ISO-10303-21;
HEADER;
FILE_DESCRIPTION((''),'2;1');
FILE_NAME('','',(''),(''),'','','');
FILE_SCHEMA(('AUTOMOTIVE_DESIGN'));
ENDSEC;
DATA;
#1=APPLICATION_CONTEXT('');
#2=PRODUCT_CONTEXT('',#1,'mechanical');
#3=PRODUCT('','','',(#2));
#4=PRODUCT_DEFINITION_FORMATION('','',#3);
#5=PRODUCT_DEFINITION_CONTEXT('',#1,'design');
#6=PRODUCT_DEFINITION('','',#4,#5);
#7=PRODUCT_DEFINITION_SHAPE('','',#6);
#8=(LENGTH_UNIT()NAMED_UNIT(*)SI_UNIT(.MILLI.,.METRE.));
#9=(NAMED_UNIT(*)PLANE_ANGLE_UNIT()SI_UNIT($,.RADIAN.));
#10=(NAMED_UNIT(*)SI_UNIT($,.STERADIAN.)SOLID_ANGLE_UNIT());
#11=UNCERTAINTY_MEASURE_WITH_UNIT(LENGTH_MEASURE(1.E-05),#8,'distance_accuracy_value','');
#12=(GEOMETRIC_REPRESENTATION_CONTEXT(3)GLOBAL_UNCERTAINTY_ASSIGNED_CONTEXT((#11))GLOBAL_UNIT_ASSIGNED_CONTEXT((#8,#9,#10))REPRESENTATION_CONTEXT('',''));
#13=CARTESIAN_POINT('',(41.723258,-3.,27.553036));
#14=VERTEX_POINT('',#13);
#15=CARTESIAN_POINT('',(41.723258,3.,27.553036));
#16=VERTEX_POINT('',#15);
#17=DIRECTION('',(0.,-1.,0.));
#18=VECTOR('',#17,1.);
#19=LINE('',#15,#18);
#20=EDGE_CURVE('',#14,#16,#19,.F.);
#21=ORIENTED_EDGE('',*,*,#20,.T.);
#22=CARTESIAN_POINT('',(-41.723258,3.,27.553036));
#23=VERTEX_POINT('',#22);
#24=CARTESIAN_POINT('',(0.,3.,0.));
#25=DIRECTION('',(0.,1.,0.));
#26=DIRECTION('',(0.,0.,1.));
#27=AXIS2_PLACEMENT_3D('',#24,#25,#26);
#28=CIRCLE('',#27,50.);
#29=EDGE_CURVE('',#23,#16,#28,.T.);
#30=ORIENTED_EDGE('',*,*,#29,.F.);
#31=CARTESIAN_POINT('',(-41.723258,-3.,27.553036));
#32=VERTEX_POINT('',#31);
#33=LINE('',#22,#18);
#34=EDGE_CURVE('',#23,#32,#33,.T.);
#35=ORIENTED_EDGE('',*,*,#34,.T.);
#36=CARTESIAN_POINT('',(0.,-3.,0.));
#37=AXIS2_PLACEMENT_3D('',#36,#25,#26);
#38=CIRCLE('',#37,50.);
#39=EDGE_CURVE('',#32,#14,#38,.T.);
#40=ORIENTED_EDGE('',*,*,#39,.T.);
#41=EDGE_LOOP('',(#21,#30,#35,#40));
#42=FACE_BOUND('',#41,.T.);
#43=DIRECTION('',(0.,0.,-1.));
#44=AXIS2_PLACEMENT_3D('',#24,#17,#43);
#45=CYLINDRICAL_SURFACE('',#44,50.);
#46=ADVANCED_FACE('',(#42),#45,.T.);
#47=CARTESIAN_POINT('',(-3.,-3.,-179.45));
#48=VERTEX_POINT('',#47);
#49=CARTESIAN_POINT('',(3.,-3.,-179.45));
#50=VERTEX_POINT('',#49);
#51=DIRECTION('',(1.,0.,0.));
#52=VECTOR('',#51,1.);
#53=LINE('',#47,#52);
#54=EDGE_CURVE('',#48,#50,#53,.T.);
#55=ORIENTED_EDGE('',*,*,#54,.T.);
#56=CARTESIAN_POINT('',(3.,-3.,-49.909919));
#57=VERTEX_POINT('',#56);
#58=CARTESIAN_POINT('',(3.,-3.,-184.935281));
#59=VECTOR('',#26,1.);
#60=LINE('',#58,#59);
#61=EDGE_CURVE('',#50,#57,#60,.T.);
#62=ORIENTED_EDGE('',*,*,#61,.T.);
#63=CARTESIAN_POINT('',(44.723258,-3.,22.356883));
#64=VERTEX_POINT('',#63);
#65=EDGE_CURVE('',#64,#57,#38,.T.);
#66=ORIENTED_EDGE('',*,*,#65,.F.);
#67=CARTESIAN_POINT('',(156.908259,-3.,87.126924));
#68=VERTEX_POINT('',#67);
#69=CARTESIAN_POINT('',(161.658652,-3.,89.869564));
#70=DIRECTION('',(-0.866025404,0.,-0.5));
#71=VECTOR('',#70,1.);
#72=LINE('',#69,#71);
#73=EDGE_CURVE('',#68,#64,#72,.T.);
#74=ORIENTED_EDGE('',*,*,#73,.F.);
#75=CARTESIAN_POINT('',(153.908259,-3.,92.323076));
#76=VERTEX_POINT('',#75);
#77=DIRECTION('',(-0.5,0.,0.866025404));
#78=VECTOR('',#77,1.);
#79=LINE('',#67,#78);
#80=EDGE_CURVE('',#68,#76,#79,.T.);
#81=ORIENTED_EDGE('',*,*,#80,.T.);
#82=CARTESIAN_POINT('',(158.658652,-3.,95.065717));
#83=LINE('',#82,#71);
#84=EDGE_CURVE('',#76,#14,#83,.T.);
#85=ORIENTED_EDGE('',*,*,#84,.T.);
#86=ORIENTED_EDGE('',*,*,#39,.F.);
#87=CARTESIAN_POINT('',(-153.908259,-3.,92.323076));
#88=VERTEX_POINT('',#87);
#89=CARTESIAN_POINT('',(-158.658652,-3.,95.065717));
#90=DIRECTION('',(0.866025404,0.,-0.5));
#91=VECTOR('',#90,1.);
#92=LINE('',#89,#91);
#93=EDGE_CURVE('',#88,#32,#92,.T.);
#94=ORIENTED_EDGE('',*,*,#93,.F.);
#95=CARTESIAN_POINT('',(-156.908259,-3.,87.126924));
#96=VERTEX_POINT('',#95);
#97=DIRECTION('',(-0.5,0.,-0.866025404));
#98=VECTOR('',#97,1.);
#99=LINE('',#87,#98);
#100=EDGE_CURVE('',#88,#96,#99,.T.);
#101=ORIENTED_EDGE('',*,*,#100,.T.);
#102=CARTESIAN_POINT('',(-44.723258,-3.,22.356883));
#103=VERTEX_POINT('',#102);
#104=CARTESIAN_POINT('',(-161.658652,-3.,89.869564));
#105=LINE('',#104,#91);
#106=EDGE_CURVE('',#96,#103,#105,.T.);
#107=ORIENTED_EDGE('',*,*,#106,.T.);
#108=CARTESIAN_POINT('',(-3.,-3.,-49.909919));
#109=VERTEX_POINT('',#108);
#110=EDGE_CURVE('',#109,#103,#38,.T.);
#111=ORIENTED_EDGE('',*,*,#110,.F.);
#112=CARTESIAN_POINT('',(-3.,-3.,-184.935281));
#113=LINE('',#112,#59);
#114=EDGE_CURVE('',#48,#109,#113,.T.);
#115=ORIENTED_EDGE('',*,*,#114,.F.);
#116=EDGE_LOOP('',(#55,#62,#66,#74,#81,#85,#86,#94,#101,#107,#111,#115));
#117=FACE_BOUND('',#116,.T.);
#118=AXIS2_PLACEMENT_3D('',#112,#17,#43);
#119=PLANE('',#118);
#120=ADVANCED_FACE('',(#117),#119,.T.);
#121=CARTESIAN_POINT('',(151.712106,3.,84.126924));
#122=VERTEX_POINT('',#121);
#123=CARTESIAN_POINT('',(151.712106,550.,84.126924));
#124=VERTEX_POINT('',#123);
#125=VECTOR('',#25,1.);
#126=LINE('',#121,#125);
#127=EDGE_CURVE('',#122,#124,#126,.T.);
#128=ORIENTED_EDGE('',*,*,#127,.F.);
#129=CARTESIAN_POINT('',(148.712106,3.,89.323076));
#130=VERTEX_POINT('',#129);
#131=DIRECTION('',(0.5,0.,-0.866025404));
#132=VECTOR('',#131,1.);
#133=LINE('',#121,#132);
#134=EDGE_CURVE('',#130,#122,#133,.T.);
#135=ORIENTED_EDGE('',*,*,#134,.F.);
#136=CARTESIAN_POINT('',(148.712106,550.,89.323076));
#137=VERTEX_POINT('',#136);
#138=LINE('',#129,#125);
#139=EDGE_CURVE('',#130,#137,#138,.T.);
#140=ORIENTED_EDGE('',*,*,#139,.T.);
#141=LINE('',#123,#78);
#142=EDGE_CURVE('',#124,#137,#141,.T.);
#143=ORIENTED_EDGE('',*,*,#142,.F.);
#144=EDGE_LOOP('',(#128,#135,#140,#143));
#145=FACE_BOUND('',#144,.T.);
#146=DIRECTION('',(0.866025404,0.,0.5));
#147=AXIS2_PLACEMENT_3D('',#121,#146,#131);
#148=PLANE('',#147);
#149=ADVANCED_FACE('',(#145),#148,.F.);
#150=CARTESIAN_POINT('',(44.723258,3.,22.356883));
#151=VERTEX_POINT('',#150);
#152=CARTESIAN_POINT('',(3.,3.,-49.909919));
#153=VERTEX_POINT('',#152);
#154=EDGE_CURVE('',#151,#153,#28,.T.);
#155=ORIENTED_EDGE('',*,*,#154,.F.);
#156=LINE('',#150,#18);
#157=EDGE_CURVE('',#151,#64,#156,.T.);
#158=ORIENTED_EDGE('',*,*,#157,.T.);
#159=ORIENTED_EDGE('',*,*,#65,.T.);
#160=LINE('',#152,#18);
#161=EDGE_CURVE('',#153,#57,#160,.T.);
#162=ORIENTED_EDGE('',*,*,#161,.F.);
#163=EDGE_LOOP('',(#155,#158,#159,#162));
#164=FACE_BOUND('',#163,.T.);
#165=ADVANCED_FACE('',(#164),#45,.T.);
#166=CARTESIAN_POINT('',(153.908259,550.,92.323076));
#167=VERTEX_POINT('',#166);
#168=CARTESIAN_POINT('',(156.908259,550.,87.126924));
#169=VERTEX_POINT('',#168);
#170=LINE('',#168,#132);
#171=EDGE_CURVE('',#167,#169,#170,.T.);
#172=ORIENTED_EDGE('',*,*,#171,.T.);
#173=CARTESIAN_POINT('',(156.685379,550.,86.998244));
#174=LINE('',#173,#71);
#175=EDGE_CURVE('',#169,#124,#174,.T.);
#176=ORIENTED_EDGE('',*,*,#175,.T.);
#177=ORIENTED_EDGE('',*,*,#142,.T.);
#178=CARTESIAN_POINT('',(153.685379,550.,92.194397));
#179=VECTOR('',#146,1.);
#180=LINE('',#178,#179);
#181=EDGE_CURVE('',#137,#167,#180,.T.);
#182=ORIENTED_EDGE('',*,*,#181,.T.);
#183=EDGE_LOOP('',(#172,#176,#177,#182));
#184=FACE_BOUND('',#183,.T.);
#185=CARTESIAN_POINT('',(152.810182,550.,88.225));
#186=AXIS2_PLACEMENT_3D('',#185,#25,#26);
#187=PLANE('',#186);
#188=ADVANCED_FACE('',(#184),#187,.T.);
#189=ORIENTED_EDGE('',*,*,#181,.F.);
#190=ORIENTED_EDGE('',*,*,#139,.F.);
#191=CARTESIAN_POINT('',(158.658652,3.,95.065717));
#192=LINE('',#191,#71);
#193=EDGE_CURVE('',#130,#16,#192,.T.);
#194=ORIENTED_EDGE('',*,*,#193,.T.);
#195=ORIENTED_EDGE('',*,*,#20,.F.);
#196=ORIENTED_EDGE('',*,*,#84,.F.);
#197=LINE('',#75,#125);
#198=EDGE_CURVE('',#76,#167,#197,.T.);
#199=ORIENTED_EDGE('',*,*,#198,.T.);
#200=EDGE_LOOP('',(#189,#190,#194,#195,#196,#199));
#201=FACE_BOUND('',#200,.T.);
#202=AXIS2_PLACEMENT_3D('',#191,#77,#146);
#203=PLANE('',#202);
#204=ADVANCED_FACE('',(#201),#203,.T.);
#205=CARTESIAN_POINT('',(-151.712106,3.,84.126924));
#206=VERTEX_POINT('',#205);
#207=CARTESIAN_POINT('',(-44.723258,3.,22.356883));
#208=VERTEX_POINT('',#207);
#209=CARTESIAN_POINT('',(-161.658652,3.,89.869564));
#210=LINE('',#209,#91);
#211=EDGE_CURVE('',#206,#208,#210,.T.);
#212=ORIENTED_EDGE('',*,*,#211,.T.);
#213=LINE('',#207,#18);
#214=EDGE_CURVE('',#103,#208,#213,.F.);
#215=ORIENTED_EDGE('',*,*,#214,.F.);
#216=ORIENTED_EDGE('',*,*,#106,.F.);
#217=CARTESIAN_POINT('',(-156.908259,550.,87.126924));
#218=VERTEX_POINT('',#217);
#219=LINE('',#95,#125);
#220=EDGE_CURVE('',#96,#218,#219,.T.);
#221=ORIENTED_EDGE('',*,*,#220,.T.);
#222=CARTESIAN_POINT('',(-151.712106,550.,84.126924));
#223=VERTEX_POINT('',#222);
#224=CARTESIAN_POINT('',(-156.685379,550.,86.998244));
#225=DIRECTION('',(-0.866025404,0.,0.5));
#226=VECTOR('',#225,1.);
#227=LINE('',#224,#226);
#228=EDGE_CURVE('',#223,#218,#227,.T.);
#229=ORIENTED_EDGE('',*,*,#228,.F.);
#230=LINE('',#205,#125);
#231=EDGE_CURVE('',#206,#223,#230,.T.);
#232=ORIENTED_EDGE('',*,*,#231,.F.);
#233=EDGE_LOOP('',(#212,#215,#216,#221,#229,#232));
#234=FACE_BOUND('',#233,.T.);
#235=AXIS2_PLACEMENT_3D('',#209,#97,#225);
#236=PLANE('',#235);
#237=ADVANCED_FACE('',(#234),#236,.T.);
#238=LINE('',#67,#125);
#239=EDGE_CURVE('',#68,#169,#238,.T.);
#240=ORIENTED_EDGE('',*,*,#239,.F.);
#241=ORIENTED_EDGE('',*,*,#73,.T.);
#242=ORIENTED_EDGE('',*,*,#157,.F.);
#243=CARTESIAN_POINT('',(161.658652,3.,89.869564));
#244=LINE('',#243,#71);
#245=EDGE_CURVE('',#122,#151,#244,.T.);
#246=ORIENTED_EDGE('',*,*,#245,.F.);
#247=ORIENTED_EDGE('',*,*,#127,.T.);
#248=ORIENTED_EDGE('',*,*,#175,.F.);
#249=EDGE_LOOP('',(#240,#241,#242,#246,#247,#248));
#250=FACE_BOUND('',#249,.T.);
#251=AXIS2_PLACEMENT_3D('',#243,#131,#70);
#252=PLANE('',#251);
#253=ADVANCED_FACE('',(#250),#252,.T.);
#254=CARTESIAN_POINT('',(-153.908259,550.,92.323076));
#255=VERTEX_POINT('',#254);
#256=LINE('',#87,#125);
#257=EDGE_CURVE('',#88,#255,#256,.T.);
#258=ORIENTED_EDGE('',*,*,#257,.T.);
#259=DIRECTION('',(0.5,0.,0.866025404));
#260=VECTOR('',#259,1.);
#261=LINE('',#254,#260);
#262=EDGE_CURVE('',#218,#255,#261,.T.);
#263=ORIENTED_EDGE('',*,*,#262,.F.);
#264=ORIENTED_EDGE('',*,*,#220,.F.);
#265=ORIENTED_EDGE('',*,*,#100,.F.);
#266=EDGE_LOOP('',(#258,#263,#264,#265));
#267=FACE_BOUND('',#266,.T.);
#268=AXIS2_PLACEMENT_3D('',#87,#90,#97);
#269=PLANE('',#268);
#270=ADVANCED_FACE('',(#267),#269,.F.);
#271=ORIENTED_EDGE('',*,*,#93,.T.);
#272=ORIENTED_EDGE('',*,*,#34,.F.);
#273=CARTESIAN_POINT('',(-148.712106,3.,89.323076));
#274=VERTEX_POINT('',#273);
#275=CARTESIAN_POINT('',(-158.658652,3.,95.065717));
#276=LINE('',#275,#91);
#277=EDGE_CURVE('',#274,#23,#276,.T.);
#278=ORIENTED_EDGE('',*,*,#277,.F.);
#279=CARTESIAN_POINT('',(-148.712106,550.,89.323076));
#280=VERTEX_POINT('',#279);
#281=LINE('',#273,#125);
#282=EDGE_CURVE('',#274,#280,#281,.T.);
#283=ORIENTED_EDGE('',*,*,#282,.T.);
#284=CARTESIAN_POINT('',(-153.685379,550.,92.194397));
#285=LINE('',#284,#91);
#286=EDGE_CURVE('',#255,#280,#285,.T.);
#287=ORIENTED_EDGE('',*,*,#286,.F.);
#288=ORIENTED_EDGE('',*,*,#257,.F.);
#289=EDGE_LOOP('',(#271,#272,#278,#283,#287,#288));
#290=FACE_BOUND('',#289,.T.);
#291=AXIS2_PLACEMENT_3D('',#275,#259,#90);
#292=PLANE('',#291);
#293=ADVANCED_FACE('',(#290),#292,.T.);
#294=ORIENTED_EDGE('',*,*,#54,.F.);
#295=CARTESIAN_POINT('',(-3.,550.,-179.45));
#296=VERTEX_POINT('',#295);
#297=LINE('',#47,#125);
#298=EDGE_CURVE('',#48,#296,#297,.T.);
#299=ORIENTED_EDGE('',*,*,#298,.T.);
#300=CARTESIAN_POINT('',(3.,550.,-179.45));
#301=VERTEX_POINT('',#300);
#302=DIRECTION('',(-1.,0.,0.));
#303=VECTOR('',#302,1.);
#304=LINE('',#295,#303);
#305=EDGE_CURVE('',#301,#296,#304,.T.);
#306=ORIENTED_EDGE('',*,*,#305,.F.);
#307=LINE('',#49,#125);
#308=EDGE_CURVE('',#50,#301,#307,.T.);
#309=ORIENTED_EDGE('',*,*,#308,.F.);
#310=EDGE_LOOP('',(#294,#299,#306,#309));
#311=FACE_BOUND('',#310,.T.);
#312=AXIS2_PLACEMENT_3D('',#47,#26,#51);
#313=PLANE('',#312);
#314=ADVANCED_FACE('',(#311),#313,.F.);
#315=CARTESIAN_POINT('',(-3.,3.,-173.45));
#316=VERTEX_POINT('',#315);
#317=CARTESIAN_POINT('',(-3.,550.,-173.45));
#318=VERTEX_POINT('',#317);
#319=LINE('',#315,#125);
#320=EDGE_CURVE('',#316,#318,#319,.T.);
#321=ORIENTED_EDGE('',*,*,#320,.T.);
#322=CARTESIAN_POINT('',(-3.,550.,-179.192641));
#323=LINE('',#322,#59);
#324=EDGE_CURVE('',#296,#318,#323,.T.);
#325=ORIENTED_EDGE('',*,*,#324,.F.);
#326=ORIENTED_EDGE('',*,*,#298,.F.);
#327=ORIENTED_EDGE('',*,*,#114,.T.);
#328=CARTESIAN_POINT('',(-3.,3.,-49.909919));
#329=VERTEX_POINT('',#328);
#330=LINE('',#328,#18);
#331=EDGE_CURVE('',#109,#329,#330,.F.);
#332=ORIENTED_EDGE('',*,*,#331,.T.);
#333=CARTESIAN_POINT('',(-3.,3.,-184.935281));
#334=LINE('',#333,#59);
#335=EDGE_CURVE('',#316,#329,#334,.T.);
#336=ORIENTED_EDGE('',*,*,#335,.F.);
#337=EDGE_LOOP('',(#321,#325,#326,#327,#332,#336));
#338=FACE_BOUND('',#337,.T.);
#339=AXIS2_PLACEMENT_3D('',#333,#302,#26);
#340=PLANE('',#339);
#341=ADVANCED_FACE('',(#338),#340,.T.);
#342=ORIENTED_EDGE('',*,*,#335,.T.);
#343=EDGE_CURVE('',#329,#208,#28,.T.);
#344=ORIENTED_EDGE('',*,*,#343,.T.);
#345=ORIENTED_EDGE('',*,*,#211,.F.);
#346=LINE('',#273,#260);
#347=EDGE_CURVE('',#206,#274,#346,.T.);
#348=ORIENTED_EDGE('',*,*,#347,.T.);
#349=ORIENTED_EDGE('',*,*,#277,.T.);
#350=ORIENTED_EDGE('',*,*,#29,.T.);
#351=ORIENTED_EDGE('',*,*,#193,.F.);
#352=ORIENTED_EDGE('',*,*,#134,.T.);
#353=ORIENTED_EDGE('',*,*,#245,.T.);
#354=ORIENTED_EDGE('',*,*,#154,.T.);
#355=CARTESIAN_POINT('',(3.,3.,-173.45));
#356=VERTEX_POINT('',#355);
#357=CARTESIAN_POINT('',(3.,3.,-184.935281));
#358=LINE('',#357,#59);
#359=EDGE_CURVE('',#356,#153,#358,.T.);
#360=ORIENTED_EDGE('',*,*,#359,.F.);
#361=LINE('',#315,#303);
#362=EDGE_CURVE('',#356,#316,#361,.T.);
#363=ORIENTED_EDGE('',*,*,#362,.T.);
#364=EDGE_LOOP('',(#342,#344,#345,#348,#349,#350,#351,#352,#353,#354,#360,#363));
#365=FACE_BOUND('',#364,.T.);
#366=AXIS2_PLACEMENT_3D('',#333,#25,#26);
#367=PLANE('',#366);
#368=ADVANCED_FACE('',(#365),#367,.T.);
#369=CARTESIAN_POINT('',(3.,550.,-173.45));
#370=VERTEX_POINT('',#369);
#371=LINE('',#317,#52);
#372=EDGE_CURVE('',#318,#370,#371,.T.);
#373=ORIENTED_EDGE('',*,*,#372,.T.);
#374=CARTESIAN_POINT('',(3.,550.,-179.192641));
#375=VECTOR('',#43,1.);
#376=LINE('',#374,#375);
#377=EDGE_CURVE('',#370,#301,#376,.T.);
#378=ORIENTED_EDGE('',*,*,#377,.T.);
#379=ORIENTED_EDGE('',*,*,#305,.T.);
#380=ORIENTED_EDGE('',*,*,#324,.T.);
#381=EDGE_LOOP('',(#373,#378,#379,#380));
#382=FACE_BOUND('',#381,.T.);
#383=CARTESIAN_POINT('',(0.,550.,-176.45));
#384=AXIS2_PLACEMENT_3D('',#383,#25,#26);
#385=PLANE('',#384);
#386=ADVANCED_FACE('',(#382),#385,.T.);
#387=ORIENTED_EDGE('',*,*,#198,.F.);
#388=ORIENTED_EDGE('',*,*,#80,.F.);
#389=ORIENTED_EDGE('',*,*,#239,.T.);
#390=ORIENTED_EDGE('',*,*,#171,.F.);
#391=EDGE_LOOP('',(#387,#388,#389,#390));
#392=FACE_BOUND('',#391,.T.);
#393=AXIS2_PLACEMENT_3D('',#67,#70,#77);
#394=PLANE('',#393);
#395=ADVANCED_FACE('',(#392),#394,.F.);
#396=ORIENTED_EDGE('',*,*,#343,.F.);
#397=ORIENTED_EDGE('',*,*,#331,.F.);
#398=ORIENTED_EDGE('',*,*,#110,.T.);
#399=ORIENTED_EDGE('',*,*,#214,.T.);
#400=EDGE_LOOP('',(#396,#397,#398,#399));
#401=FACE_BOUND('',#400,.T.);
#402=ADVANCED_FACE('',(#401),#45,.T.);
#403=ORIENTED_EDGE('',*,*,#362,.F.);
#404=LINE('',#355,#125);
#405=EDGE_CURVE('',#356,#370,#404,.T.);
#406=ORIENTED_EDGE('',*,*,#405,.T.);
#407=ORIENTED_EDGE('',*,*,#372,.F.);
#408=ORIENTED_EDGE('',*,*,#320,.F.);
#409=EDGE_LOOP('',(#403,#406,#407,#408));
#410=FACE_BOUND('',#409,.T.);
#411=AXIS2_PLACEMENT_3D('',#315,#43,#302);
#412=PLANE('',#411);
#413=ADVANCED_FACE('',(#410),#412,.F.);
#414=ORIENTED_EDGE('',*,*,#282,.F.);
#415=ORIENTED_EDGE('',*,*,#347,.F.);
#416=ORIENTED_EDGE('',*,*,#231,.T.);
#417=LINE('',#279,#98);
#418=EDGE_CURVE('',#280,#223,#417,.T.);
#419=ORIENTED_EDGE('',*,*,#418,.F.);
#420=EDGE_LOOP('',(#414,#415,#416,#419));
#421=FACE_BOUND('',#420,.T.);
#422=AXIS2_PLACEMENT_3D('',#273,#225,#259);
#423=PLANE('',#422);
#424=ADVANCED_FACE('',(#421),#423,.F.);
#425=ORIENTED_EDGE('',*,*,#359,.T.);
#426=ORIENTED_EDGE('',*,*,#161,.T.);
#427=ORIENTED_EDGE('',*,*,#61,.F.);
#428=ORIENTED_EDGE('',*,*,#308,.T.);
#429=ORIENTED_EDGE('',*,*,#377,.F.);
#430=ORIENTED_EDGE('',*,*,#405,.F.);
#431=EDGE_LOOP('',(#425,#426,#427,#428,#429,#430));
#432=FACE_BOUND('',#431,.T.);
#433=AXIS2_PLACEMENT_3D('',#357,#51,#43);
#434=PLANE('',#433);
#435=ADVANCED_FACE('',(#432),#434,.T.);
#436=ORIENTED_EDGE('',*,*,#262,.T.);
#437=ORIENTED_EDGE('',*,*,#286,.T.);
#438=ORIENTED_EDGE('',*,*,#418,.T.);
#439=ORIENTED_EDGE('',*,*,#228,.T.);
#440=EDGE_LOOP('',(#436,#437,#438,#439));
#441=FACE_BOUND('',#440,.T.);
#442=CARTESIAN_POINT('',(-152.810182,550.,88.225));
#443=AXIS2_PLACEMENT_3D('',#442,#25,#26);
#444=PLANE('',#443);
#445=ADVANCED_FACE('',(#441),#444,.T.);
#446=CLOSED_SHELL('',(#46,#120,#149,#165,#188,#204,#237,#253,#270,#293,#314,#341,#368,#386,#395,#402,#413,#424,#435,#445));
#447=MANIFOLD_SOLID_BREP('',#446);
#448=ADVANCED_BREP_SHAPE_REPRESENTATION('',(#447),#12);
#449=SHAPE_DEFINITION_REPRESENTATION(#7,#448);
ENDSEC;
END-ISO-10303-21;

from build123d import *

# Parameters (mm, degrees)
ESQUISSE2_W                  = 6
ESQUISSE2_H                  = 6
ESQUISSE3_R                  = 50
BOSS_EXTRU_1_DEPTH           = 3
R_P_TITION_CIRCULAIRE1_COUNT = 3


with BuildPart() as part:
    # Balayage2: sweep along a curve in space
    with BuildLine() as balayage2_path:
        Line((0, 0, 0), (0, 0, -176.45))
        Line((0, 0, -176.45), (0, 550, -176.45))
    # Esquisse2 → Balayage2 (sweep)
    with BuildSketch(Plane.XY):
        Rectangle(ESQUISSE2_W, ESQUISSE2_H)
    balayage2 = sweep(path=balayage2_path.line, transition=Transition.RIGHT)

    # Esquisse3 → Boss.-Extru.1 (add, symmetric)
    with BuildSketch(Plane(origin=(0, 0, 0), x_dir=(1, 0, 0), z_dir=(0, 1, 0))):
        Circle(ESQUISSE3_R)
    extrude(amount=BOSS_EXTRU_1_DEPTH, both=True)

    # Répétition circulaire1: Balayage2 ×3 about axis
    r_p_tition_circulaire1_axis = Axis((0, 0, 0), (0, 1, 0))
    for i in range(1, R_P_TITION_CIRCULAIRE1_COUNT):
        add(balayage2.rotate(r_p_tition_circulaire1_axis, i * 360 / R_P_TITION_CIRCULAIRE1_COUNT))


solid = part.part
